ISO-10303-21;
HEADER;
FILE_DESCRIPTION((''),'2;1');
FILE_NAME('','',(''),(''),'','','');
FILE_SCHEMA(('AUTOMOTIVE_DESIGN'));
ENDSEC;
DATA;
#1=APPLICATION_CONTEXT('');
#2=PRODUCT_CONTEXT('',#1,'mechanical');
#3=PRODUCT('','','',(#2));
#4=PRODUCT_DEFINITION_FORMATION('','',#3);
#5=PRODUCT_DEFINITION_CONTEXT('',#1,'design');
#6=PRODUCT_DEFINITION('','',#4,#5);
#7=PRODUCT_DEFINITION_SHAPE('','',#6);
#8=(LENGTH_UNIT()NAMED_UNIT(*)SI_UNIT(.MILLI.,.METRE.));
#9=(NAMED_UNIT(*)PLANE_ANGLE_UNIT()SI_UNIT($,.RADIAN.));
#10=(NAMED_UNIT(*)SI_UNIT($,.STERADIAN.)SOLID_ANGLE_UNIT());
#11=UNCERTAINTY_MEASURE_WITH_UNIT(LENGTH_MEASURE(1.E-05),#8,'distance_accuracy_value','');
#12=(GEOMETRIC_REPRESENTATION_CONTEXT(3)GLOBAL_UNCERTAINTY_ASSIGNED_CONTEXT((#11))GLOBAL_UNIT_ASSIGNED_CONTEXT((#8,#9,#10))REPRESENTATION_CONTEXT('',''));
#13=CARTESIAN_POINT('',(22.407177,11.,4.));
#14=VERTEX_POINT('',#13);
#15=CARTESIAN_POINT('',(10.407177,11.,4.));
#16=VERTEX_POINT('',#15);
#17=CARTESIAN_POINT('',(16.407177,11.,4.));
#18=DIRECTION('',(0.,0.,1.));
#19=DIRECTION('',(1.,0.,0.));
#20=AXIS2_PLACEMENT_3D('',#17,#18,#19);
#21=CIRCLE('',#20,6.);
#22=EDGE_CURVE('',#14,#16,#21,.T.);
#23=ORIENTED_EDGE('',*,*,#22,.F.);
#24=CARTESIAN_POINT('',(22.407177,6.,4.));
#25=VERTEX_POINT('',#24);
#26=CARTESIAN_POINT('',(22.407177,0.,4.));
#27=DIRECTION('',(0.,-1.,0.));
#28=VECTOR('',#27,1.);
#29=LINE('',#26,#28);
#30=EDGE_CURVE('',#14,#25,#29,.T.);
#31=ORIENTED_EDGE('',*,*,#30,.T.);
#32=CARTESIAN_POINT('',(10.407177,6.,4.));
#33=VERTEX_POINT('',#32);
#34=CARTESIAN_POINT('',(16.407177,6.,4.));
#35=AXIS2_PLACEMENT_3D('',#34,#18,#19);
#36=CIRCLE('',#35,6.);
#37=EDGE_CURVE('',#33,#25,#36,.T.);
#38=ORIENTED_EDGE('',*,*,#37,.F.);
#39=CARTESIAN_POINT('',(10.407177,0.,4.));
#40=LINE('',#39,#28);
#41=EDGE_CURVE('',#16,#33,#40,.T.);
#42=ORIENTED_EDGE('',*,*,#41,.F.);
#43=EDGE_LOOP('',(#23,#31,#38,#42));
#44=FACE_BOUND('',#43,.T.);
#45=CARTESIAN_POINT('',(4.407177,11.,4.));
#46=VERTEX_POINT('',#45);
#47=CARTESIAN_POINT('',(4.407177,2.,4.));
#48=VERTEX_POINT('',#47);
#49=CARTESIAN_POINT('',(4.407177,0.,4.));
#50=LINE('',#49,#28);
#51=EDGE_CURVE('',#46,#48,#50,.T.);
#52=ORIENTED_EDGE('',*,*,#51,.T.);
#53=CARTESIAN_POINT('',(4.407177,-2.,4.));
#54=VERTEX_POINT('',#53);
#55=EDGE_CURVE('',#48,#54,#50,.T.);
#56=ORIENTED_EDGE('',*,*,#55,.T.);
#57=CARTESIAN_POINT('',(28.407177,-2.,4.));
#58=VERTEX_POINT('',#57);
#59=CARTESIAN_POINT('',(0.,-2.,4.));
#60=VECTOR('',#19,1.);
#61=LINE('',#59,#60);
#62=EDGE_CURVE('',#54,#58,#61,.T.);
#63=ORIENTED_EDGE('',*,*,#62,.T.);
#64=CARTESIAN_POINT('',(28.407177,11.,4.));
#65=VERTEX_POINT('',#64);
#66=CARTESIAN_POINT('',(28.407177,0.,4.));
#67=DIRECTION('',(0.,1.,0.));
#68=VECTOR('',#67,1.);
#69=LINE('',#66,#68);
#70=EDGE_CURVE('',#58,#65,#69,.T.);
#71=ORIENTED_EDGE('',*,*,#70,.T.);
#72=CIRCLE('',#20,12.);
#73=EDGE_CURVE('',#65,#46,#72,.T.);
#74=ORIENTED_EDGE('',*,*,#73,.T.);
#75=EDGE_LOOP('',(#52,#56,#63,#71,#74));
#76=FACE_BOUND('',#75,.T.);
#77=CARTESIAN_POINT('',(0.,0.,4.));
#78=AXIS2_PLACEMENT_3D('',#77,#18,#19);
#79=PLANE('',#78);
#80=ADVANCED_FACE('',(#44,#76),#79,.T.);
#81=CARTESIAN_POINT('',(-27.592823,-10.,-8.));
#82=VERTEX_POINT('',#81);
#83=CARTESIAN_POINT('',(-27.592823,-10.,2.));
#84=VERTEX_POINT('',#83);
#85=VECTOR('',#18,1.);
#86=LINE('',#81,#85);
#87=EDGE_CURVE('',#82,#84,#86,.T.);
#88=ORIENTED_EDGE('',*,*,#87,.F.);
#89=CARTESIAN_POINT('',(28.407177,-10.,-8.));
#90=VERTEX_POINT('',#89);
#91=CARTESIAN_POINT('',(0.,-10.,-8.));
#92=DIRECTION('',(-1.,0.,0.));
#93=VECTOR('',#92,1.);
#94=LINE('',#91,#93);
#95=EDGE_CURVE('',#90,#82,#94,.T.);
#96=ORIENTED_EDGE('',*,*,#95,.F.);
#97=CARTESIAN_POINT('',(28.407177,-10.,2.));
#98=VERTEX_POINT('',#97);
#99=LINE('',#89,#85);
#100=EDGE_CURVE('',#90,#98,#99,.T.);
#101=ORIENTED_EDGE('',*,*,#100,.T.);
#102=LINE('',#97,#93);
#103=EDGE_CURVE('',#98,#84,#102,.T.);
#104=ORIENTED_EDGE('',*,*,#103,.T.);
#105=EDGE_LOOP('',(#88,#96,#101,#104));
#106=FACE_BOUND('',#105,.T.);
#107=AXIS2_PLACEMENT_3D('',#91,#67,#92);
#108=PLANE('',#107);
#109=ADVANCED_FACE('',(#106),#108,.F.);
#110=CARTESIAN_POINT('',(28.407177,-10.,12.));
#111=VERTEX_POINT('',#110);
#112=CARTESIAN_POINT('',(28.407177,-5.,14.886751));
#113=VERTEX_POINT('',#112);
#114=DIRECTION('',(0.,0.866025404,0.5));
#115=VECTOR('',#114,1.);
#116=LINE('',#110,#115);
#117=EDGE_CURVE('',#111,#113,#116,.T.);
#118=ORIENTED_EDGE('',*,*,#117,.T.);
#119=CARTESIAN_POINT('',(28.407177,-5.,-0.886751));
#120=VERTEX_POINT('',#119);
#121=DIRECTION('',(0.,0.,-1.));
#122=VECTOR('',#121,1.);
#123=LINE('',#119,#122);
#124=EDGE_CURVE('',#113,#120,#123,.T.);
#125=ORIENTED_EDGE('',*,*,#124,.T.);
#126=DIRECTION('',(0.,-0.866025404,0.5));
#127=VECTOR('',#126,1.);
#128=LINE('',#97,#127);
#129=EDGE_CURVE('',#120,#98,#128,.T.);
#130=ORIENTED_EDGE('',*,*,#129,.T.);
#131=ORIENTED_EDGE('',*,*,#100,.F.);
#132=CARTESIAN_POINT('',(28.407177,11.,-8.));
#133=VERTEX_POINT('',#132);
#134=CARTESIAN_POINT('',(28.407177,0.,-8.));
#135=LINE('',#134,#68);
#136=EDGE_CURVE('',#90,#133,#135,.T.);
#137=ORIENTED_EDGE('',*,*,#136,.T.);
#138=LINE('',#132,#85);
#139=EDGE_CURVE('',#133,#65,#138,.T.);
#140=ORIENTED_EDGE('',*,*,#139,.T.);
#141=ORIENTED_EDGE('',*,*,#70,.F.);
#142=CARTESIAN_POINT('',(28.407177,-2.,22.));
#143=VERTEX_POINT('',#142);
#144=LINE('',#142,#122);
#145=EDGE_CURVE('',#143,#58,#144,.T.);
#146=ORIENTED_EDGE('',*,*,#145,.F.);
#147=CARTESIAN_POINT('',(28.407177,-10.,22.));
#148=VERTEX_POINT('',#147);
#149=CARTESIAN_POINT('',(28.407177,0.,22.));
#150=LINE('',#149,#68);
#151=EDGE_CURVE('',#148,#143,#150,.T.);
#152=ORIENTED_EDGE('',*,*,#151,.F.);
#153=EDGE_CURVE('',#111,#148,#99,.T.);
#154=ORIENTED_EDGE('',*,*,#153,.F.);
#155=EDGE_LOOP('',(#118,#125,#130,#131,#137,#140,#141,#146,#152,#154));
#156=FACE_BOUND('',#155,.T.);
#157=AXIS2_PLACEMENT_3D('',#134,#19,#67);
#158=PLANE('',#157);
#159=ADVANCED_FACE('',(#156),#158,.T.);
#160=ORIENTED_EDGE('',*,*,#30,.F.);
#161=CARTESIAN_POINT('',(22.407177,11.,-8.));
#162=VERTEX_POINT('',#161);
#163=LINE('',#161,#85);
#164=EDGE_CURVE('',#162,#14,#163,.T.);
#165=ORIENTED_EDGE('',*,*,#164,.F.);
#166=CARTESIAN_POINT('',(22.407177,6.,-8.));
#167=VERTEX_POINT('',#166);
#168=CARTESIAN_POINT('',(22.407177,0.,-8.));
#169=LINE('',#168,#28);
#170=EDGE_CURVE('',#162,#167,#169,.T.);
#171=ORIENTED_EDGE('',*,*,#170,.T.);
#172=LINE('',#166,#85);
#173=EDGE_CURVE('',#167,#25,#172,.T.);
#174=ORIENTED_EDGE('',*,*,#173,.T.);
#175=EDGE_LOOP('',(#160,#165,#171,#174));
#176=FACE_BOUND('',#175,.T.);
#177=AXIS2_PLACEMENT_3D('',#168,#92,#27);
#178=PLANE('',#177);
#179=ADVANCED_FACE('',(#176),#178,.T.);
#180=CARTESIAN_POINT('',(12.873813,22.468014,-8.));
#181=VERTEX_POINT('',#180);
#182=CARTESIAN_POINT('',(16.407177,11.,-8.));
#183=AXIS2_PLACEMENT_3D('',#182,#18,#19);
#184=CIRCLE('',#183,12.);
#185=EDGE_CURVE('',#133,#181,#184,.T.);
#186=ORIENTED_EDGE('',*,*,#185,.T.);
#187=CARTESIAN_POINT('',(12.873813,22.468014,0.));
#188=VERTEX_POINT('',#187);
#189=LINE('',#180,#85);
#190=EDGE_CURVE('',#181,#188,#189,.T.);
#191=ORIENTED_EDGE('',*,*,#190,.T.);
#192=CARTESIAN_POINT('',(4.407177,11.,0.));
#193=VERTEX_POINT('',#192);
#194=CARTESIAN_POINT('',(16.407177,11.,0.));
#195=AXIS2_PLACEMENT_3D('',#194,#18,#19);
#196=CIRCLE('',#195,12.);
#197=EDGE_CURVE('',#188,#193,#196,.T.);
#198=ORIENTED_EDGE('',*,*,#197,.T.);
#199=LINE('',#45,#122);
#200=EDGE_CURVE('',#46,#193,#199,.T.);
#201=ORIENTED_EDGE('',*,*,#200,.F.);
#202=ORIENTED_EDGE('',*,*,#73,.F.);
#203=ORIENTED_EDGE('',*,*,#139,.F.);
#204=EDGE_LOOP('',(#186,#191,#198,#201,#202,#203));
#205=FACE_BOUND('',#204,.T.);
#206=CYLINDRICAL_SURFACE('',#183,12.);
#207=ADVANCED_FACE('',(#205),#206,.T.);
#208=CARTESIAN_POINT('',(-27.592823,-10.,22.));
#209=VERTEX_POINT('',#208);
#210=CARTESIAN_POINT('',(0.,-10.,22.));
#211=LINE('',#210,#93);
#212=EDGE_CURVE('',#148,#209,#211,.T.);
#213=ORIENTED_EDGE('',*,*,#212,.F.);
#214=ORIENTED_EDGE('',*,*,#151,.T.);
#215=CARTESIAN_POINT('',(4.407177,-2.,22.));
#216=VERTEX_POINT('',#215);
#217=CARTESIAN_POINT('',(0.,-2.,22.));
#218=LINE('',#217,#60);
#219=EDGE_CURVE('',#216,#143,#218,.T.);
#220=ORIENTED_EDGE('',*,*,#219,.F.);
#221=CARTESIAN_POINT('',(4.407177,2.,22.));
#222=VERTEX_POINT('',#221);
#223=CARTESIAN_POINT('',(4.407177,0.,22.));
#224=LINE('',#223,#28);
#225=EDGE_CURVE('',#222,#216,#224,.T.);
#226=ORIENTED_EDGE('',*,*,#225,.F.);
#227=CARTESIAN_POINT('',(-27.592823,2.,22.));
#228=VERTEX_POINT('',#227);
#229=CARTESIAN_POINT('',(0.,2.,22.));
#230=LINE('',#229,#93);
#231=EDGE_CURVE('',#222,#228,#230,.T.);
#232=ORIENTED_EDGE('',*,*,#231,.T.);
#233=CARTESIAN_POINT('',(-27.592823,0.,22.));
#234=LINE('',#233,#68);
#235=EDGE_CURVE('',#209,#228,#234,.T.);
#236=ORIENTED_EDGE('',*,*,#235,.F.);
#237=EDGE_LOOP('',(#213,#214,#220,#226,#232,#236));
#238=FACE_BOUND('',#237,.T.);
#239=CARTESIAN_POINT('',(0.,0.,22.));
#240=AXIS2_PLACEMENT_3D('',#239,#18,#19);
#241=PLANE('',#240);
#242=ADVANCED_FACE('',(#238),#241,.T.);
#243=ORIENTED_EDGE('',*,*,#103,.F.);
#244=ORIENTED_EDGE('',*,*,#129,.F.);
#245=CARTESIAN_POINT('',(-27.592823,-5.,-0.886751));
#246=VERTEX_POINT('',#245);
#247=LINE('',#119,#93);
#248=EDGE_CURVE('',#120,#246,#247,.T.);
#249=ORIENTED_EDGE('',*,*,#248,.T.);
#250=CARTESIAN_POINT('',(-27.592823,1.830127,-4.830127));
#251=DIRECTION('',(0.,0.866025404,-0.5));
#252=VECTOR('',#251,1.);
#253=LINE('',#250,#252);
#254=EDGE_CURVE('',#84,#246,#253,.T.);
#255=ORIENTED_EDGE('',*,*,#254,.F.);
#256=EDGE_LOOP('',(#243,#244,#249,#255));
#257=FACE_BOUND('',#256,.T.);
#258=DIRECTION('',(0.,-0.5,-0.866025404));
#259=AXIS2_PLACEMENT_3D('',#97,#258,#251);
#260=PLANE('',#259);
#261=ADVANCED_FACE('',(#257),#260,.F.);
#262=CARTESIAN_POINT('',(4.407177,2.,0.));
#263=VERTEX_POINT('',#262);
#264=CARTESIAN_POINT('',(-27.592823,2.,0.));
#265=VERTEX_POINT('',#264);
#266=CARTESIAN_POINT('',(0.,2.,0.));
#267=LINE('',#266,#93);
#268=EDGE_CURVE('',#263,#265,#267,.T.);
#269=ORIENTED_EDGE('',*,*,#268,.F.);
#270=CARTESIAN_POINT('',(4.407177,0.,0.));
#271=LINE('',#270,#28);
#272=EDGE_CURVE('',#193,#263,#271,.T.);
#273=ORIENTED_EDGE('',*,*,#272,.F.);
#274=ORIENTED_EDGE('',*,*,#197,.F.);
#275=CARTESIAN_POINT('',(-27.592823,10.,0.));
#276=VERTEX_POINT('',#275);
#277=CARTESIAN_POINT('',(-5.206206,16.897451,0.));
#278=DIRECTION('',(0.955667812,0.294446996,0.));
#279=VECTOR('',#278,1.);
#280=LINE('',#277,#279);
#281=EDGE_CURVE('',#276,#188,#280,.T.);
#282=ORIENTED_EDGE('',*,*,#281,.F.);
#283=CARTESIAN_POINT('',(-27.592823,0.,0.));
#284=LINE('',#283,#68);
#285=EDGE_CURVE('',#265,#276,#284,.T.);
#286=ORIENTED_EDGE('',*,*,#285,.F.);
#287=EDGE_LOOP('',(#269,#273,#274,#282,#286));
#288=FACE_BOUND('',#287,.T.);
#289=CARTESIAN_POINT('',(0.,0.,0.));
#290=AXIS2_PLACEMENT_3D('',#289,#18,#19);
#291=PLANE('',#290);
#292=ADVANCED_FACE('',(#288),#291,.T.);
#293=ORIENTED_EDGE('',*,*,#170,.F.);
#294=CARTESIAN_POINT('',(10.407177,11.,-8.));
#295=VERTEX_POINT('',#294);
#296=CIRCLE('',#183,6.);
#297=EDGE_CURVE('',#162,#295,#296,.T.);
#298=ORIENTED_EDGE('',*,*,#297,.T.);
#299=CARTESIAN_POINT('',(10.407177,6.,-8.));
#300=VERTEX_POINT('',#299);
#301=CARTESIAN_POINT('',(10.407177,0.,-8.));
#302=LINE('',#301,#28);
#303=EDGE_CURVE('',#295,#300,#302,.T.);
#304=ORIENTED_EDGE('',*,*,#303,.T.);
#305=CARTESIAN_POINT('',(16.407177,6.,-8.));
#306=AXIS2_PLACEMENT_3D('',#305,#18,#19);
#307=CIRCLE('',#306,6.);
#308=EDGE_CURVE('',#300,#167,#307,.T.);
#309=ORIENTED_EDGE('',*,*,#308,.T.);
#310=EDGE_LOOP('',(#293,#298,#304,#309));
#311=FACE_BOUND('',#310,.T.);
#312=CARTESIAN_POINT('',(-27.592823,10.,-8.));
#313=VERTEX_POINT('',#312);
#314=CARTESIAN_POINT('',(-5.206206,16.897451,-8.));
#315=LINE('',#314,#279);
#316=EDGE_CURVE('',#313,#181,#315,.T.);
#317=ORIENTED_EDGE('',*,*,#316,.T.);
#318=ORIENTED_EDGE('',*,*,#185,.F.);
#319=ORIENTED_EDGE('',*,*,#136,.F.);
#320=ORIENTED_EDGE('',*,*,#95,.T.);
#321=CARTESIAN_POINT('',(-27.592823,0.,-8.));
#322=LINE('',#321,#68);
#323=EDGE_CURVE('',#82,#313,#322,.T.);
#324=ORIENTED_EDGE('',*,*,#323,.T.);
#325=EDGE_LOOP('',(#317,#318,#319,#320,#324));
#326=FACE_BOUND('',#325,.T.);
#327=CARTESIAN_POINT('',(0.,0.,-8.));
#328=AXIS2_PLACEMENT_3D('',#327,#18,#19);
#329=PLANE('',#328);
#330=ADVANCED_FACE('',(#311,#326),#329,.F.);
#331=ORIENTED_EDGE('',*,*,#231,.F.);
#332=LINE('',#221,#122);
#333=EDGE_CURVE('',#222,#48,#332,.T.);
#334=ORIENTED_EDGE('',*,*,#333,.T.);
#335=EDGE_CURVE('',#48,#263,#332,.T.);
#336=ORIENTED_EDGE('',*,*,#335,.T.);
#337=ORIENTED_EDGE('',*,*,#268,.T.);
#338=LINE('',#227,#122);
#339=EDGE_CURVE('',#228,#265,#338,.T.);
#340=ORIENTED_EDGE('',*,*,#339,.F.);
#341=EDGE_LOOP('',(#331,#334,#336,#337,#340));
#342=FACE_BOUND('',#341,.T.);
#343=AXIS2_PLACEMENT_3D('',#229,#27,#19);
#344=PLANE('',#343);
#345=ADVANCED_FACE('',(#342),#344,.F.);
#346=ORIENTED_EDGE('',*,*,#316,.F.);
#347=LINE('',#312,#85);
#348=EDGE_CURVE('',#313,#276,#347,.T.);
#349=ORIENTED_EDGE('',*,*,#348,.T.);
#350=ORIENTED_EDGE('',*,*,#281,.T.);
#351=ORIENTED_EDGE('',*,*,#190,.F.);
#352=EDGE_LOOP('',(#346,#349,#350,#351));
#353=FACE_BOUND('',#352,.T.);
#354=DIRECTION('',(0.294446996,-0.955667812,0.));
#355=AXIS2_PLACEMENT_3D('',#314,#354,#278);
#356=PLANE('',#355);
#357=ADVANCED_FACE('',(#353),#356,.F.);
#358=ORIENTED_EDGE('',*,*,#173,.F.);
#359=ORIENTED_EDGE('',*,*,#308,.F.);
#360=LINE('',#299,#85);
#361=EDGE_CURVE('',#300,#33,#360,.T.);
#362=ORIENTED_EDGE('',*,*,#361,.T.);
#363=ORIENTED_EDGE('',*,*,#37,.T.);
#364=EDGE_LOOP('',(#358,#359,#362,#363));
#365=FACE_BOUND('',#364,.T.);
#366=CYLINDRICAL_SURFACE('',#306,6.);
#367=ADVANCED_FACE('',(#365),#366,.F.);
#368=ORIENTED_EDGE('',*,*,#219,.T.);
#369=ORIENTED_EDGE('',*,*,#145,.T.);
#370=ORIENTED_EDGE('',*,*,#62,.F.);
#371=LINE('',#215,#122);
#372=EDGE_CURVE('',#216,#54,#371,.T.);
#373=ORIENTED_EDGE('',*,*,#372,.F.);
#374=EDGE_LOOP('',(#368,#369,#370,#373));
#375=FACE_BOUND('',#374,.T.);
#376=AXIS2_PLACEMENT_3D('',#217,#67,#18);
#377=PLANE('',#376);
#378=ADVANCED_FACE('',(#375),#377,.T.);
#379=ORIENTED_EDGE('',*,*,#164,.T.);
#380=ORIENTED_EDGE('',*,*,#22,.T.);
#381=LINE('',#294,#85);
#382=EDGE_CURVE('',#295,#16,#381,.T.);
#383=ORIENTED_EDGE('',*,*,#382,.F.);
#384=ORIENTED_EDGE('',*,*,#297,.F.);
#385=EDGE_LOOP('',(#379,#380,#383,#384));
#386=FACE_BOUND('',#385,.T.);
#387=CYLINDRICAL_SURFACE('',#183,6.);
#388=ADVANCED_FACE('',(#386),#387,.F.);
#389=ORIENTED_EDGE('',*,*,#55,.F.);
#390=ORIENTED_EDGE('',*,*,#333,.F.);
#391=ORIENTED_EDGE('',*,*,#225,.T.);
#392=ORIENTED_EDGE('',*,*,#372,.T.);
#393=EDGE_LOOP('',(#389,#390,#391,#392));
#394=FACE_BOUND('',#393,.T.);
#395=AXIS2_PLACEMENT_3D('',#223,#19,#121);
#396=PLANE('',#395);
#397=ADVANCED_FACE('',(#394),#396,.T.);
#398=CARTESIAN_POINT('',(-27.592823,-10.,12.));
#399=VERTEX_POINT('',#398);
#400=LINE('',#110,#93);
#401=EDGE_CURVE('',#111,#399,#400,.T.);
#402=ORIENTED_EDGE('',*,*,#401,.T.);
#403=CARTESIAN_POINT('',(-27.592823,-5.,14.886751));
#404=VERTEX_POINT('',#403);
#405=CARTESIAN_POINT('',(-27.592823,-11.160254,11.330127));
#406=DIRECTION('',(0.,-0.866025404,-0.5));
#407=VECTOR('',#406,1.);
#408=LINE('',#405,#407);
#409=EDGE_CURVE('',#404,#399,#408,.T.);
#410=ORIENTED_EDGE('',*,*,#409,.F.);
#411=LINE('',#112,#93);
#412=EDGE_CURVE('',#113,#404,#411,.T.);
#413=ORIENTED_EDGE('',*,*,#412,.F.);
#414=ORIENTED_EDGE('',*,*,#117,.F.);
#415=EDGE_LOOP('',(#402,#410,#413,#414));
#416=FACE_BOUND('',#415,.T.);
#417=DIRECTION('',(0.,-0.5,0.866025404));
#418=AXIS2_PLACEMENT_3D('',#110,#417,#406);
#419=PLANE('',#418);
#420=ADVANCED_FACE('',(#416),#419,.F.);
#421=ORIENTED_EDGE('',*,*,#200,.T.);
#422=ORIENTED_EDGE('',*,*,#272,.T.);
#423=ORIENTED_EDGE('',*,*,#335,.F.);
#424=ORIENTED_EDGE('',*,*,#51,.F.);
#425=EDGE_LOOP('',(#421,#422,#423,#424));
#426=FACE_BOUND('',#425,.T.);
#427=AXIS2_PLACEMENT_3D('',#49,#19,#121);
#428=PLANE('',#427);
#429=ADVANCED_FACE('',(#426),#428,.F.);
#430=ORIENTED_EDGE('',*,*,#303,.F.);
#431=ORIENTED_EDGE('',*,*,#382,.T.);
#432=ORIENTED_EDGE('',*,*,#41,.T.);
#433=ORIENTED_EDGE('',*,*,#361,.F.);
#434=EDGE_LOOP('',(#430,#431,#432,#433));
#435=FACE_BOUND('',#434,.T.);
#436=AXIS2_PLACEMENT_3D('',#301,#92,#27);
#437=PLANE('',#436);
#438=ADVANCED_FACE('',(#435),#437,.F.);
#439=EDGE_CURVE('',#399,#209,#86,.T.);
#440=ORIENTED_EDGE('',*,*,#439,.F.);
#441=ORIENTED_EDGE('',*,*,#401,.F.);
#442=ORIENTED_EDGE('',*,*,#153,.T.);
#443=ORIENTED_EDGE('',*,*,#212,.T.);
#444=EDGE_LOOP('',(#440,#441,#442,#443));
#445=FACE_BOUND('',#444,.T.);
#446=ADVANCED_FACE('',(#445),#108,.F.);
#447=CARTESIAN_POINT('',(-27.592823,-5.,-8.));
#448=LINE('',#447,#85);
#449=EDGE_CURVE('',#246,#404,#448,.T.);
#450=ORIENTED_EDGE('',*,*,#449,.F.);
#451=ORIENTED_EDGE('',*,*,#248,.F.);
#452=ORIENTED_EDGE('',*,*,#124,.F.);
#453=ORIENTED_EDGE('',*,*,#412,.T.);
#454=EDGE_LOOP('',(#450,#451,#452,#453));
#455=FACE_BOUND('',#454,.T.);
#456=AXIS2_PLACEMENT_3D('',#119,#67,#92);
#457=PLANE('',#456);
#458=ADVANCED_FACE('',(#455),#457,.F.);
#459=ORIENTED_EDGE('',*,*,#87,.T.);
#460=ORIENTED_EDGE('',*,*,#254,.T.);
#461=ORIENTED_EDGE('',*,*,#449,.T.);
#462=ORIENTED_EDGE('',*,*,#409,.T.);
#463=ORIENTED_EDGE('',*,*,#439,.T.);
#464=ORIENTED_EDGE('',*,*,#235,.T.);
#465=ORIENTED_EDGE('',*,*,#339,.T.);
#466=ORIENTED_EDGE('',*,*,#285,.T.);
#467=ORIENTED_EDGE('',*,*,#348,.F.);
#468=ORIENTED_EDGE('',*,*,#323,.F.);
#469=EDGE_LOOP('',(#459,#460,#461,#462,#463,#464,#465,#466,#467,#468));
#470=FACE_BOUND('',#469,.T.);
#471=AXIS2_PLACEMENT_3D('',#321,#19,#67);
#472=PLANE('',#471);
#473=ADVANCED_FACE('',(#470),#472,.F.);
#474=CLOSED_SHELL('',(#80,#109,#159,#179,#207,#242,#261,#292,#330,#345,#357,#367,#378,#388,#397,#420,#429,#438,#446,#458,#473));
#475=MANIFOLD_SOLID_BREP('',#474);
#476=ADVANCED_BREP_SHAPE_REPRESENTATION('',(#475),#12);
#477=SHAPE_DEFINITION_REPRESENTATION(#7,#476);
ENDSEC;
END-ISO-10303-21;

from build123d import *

# Parameters (mm, degrees)
EXTRUDE_1_DEPTH          = 8
EXTRUDE_START            = 4
EXTRUDE_2_DEPTH          = 4
EXTRUDE_3_DEPTH          = 22
CUT_EXTRUDE_1_DEPTH      = 65.412731661
CUT_EXTRUDE_1_DEPTH_BACK = 65.412731661


with BuildPart() as part:
    # 草图1 → 凸台-拉伸1 (new body)
    with BuildSketch(Plane.XY):
        with BuildLine():
            Line((-27.592823234, -10), (28.407176766, -10))
            Line((28.407176766, -10), (28.407176766, 11))
            ThreePointArc((28.407176766, 11), (23.534575752, 20.654024223), (12.873812817, 22.468013743))
            Line((12.873812817, 22.468013743), (-27.592823234, 10))
            Line((-27.592823234, 10), (-27.592823234, -10))
        make_face()
        with BuildLine():
            ThreePointArc((22.407176766, 6), (16.407176766, 0), (10.407176766, 6))
            Line((10.407176766, 6), (10.407176766, 11))
            ThreePointArc((10.407176766, 11), (16.407176766, 17), (22.407176766, 11))
            Line((22.407176766, 11), (22.407176766, 6))
        make_face(mode=Mode.SUBTRACT)
    extrude(amount=-EXTRUDE_1_DEPTH)

    # 草图1<3> → 凸台-拉伸2 (add)
    with BuildSketch(Plane.XY.offset(EXTRUDE_START)):
        with BuildLine():
            Line((4.407176766, -2), (28.407176766, -2))
            Line((28.407176766, -2), (28.407176766, 11))
            ThreePointArc((28.407176766, 11), (23.534575752, 20.654024223), (12.873812817, 22.468013743))
            ThreePointArc((12.873812817, 22.468013743), (6.753152543, 18.127398986), (4.407176766, 11))
            Line((4.407176766, 11), (4.407176766, 2))
            Line((4.407176766, 2), (4.407176766, -2))
        make_face()
        with BuildLine():
            ThreePointArc((10.407176766, 11), (16.407176766, 17), (22.407176766, 11))
            Line((22.407176766, 11), (22.407176766, 6))
            ThreePointArc((22.407176766, 6), (16.407176766, 0), (10.407176766, 6))
            Line((10.407176766, 6), (10.407176766, 11))
        make_face(mode=Mode.SUBTRACT)
    extrude(amount=-EXTRUDE_2_DEPTH)

    # 草图1<4> → 凸台-拉伸3 (add)
    with BuildSketch(Plane.XY):
        Polygon((-27.592823234, -10), (28.407176766, -10), (28.407176766, -2), (4.407176766, -2), (4.407176766, 2), (-27.592823234, 2), align=None)
    extrude(amount=EXTRUDE_3_DEPTH)

    # 草图3 → 切除-拉伸1 (cut, two sides: drawn at the far end of the back side and taken through both)
    with BuildSketch(Plane.ZY.offset(27.592823234).offset(-CUT_EXTRUDE_1_DEPTH_BACK)):
        Polygon((2, -10), (-0.886751346, -5), (14.886751346, -5), (12, -10), align=None)
    extrude(amount=CUT_EXTRUDE_1_DEPTH + CUT_EXTRUDE_1_DEPTH_BACK, mode=Mode.SUBTRACT)


solid = part.part
